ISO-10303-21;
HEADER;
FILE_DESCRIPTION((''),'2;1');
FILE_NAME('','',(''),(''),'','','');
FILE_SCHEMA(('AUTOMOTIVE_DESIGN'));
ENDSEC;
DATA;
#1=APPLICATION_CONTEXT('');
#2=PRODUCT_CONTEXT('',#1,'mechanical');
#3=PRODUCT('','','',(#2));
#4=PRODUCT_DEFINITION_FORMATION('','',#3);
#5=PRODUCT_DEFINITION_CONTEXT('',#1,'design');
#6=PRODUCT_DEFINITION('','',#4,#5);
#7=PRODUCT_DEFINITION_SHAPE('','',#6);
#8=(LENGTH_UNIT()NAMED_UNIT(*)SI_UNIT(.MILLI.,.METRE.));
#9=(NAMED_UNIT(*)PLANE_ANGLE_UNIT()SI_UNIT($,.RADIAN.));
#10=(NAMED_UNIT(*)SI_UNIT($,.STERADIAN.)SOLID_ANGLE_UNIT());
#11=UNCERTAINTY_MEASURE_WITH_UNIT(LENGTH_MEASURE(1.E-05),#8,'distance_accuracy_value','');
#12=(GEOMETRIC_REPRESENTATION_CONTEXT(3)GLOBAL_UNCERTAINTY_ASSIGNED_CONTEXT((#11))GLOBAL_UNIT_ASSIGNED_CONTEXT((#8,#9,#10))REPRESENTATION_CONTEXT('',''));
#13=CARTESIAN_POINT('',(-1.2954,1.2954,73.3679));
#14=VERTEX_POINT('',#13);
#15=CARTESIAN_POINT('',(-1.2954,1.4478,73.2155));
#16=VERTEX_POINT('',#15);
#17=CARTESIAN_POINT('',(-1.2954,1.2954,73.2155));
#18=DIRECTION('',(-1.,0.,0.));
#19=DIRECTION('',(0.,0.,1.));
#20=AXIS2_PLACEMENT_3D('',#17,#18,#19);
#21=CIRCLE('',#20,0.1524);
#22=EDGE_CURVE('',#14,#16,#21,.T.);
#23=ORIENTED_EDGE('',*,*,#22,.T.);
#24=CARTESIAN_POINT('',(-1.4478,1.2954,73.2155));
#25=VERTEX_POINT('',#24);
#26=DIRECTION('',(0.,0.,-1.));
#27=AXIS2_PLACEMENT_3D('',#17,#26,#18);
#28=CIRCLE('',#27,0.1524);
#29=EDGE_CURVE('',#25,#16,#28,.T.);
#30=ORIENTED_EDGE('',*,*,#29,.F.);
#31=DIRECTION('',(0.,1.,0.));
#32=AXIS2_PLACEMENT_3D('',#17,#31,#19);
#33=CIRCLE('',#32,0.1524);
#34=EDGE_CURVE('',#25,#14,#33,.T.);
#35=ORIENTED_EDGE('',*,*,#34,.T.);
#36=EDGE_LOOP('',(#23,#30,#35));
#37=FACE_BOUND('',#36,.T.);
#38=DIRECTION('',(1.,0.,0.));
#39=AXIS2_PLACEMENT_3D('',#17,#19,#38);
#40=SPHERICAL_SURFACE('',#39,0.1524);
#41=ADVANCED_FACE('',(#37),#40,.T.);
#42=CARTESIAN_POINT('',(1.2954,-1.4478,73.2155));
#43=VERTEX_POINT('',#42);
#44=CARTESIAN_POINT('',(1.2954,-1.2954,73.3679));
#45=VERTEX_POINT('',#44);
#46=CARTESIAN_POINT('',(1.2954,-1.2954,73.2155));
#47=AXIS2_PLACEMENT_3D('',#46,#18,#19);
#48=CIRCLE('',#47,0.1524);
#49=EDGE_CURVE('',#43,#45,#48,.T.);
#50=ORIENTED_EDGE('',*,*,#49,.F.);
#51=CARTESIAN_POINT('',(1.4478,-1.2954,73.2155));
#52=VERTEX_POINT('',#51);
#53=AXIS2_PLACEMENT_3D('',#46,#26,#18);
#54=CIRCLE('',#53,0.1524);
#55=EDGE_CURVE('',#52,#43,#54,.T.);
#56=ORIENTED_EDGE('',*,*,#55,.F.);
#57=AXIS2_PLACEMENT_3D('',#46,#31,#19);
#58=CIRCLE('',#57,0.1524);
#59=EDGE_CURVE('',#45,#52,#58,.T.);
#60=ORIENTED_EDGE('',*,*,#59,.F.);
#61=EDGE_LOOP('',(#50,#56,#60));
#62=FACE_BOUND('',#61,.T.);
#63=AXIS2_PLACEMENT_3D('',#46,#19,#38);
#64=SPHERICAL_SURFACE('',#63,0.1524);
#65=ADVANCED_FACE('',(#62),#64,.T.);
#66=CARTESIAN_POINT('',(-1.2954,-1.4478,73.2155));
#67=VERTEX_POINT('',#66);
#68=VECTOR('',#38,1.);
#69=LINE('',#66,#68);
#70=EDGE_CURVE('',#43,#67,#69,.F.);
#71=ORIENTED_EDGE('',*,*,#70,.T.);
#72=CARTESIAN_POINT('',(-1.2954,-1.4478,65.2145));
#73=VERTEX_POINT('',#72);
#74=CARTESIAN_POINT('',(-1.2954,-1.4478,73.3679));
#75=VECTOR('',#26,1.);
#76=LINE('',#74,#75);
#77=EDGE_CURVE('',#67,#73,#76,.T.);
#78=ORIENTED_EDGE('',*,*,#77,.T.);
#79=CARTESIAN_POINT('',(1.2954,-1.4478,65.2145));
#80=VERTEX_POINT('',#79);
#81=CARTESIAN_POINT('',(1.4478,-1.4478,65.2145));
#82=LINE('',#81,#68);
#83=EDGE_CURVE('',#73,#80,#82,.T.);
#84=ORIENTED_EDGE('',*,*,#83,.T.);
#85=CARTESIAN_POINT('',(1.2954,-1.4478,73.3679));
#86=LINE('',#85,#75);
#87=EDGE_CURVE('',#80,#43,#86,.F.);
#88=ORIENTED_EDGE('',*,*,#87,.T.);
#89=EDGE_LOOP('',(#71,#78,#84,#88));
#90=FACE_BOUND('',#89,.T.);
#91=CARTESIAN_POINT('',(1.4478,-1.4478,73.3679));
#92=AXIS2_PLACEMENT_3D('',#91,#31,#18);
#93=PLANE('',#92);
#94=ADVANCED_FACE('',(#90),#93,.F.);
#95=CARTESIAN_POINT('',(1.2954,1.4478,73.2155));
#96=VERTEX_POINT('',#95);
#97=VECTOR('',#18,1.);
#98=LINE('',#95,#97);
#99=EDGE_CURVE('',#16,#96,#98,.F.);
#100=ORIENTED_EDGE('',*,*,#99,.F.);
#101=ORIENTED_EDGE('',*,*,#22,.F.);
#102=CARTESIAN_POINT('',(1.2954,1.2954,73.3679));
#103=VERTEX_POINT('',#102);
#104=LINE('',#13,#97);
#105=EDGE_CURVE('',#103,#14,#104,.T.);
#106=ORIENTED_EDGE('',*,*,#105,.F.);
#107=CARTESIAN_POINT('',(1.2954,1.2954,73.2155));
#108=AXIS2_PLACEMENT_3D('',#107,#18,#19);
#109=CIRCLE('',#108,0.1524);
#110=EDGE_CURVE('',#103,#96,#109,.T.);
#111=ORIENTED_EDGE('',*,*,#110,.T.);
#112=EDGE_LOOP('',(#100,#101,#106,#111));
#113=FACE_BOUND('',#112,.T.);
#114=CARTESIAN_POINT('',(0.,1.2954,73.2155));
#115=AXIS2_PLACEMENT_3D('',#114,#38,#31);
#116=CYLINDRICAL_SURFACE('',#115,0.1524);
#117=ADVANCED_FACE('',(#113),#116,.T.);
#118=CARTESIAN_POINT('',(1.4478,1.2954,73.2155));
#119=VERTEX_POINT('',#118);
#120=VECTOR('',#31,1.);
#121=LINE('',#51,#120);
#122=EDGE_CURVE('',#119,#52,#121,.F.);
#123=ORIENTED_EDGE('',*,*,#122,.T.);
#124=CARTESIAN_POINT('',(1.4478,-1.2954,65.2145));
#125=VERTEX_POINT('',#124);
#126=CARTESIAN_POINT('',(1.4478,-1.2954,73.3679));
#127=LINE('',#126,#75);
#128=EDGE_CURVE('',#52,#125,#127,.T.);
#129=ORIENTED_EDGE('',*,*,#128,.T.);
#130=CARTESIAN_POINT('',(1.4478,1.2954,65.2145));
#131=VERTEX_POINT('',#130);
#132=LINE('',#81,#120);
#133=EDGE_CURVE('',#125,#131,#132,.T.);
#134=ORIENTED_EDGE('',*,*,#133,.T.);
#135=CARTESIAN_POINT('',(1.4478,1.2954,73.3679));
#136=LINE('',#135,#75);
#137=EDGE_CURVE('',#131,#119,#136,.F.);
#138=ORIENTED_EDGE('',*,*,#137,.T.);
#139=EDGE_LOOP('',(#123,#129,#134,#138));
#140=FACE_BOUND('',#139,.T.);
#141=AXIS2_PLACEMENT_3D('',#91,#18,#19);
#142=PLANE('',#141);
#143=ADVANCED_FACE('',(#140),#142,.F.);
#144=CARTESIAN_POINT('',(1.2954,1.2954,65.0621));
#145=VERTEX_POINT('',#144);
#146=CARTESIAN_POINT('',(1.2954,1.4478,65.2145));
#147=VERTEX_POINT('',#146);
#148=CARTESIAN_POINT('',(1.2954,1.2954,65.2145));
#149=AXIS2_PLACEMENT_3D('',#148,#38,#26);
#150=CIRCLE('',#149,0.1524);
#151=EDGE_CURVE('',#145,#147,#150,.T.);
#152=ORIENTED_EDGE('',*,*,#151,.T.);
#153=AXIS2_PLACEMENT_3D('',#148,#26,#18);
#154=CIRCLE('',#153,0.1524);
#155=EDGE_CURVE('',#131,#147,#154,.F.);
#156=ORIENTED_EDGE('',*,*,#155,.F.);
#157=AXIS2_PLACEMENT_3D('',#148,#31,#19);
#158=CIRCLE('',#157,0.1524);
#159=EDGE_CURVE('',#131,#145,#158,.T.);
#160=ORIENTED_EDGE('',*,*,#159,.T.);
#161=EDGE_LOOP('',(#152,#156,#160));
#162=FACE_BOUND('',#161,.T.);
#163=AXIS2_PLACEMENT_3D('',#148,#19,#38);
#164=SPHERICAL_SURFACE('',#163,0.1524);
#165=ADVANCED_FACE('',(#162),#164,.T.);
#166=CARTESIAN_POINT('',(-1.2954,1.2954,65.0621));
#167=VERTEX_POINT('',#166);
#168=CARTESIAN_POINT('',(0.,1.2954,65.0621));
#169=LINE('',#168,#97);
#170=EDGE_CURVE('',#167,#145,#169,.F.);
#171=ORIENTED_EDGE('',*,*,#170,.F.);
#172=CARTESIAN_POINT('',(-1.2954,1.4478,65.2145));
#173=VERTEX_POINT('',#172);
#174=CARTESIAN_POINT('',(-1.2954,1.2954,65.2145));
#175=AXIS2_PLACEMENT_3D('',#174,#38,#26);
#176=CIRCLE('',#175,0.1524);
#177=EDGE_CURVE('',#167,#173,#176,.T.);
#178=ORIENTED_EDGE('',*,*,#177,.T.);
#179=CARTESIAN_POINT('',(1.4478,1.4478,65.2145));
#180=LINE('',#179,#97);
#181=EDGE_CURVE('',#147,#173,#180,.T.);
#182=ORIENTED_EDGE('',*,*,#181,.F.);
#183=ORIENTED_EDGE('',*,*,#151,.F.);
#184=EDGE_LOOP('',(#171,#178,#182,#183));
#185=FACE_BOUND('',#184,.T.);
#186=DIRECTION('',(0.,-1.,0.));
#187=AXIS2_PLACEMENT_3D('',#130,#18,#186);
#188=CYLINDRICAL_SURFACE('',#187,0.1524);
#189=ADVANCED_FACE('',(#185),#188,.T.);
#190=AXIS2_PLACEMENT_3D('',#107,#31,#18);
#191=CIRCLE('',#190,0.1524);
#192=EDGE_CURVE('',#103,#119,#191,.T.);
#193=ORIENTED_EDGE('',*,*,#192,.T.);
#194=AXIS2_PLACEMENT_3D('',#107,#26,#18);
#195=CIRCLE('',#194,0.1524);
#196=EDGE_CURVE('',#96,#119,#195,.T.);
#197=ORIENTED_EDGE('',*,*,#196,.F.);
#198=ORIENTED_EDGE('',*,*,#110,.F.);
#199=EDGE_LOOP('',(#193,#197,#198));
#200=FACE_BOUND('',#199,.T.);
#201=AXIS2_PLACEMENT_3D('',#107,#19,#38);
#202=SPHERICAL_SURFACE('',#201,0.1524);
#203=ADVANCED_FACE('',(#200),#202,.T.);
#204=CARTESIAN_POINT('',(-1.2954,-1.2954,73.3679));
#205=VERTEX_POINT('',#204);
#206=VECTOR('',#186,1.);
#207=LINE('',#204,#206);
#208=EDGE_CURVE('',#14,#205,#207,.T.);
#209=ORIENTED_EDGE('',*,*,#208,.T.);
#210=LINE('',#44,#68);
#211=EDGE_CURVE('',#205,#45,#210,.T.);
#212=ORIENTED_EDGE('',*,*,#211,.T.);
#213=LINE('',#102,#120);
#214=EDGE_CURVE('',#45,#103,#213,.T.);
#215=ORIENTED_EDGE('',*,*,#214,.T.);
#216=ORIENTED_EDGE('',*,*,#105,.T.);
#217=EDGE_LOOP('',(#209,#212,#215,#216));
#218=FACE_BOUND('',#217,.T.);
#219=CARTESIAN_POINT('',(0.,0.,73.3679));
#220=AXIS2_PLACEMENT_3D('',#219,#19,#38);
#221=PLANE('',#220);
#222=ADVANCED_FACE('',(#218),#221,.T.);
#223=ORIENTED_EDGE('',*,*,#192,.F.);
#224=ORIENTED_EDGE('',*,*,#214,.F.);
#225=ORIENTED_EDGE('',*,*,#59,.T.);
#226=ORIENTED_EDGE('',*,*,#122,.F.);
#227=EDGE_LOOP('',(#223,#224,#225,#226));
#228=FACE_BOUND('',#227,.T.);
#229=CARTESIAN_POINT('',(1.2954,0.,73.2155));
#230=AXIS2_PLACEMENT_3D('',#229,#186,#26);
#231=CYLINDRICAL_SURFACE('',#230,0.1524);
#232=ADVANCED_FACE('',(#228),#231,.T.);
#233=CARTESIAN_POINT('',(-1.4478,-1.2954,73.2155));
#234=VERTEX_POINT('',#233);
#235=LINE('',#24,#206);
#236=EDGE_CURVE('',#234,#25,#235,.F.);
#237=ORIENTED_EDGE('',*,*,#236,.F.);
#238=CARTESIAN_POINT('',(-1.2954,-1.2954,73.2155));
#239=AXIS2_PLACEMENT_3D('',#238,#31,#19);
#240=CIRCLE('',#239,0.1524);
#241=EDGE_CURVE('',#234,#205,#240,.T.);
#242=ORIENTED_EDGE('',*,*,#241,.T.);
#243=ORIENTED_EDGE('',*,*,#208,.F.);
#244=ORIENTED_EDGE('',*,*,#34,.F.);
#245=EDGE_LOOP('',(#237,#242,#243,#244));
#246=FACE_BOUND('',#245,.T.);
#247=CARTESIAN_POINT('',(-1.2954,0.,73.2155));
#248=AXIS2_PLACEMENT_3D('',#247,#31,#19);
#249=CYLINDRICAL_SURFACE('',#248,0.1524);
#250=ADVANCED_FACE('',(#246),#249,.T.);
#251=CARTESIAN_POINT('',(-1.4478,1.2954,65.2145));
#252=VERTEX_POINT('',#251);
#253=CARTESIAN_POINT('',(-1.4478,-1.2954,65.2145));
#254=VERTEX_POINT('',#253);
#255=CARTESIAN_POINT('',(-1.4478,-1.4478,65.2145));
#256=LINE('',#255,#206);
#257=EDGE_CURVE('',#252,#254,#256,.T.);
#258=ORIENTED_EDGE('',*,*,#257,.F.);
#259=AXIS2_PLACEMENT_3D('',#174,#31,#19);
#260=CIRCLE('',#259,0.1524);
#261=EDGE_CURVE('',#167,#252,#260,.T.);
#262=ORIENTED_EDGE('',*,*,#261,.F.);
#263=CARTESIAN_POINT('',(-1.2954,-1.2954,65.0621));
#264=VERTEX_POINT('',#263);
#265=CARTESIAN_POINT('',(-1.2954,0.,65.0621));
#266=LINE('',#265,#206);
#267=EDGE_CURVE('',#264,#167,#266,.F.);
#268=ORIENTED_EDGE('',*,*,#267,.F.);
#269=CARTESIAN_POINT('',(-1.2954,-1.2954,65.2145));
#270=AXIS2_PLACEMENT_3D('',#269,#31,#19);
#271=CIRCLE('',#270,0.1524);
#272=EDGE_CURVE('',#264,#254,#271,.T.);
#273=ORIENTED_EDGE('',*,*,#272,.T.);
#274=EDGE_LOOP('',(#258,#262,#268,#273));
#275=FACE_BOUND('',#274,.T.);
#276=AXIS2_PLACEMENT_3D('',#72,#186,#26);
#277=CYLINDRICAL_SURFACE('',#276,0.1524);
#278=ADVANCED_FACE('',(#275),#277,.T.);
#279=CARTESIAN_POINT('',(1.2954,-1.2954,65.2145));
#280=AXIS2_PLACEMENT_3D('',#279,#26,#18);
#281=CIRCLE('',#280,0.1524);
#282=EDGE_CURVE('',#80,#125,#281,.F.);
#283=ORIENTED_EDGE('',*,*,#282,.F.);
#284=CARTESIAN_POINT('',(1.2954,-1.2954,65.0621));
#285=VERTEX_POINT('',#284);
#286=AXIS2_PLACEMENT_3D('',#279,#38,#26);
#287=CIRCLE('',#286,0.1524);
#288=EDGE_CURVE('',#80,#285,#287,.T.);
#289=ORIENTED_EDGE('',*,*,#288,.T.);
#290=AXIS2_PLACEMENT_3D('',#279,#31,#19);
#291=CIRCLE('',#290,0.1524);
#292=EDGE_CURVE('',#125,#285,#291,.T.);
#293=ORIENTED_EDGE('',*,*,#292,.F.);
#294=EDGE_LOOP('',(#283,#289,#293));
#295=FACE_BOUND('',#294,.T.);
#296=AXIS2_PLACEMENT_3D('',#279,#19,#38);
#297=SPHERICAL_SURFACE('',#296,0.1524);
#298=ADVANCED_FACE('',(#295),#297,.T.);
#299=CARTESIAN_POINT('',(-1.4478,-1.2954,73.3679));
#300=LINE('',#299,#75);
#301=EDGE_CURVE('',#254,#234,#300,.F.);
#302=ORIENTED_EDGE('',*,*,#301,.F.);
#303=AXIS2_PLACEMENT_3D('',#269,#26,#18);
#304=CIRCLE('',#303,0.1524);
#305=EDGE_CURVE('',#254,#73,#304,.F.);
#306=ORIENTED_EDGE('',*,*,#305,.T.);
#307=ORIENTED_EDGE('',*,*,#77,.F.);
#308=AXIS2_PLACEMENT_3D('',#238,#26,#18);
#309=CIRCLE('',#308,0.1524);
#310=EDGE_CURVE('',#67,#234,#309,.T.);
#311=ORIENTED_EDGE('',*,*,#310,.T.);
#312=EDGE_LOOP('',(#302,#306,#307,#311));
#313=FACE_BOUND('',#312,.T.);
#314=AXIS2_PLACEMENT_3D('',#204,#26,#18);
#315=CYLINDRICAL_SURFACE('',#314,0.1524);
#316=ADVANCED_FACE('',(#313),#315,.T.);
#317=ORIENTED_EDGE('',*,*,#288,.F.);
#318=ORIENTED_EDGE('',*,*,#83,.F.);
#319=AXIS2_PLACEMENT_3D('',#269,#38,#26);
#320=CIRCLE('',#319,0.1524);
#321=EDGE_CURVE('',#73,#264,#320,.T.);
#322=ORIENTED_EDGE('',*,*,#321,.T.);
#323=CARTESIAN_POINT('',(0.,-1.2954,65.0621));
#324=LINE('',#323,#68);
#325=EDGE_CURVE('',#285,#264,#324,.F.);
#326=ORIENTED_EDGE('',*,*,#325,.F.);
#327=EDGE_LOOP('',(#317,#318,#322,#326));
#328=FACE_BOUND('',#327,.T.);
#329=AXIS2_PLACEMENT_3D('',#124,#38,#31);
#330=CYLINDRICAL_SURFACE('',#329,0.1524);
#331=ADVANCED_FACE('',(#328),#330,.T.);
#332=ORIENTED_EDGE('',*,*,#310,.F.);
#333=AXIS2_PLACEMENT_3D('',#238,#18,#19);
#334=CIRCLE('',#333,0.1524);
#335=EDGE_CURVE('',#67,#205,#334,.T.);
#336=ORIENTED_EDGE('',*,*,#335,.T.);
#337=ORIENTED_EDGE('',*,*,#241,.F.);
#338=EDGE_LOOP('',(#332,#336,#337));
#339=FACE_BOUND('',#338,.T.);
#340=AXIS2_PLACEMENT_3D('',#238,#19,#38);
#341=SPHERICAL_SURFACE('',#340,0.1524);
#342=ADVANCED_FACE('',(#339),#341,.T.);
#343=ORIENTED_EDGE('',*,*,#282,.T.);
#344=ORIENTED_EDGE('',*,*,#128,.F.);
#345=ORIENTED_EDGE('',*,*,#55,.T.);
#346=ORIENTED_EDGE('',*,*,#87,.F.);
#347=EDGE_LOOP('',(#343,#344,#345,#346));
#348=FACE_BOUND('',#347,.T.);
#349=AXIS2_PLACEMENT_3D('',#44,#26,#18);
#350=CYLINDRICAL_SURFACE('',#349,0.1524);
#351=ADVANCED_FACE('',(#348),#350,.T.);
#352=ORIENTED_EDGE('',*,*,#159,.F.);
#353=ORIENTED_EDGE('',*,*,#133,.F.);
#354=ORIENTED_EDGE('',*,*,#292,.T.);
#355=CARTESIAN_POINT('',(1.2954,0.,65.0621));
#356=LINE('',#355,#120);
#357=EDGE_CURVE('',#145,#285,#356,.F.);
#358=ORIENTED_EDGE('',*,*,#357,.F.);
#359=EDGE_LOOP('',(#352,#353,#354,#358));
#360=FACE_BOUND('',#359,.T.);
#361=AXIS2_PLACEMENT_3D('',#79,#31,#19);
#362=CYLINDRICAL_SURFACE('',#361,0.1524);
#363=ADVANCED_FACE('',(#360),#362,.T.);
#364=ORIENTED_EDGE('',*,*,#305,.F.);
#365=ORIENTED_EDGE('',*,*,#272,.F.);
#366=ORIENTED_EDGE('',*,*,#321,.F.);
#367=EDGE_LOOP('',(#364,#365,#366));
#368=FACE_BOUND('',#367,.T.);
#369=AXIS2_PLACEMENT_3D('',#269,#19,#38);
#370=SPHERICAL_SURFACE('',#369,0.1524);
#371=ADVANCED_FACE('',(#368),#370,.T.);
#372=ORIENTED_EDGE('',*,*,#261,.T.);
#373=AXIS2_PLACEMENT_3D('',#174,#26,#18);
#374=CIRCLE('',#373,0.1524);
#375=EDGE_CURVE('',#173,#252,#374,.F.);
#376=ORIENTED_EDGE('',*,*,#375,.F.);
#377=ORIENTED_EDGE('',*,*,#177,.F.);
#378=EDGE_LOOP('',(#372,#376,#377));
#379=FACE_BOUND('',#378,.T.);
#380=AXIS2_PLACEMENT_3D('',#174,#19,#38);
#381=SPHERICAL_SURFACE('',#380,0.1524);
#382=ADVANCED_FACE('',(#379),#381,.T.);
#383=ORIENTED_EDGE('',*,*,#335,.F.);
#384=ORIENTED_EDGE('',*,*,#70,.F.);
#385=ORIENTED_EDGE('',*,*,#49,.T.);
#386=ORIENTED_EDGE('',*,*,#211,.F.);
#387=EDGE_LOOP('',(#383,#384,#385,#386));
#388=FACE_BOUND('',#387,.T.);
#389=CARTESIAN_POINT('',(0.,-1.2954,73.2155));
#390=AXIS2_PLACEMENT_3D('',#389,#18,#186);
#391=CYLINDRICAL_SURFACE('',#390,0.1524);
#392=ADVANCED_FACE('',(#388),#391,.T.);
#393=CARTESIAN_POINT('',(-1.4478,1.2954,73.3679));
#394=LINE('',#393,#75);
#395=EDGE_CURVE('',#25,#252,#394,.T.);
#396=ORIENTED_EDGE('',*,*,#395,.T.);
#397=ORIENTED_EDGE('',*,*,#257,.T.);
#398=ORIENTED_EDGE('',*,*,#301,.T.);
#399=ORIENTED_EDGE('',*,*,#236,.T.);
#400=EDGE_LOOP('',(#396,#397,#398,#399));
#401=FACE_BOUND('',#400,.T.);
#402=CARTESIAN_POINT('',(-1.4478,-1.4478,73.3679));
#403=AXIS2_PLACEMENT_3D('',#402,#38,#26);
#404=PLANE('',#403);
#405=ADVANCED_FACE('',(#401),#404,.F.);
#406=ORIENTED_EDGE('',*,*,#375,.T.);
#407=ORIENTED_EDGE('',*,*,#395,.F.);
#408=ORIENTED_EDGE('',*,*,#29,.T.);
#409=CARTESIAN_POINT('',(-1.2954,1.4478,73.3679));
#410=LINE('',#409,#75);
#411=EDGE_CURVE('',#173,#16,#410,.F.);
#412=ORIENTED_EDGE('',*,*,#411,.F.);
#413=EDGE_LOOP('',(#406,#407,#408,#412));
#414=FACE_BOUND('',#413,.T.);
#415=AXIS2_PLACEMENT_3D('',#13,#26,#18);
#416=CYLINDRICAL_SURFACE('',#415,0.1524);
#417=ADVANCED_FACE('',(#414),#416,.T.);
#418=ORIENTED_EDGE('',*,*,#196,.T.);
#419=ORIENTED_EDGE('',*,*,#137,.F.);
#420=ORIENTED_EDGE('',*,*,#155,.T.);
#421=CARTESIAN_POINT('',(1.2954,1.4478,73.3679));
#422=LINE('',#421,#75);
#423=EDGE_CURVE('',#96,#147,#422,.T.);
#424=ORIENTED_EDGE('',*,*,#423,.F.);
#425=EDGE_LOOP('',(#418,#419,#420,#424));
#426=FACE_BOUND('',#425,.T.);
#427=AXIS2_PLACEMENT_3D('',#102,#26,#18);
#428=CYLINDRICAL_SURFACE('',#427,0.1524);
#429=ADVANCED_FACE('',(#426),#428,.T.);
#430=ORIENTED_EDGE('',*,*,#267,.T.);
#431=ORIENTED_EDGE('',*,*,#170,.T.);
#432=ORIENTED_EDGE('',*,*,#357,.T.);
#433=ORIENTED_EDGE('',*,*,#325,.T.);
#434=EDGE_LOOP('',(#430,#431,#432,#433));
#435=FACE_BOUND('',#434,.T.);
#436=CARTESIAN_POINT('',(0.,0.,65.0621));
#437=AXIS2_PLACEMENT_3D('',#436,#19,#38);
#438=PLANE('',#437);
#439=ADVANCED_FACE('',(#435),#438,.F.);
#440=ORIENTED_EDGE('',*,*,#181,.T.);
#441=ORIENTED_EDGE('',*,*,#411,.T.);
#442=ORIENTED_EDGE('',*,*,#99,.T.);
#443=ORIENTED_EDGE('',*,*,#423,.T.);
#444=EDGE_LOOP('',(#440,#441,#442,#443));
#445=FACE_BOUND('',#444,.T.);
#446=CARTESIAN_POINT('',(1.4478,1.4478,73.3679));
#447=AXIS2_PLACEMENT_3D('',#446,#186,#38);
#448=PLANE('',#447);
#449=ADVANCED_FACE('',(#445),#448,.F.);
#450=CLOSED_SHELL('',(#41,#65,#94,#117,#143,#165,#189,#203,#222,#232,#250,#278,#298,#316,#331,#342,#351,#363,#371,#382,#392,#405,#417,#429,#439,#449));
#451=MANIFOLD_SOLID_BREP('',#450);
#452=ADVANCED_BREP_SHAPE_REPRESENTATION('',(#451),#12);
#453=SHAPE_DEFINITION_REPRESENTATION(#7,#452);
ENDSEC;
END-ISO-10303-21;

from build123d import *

# Parameters (mm, degrees)
SKETCH1_W           = 48.26
SKETCH1_H           = 48.26
BOSS_EXTRUDE1_DEPTH = 138.43
FILLET1_R           = 2.54
FILLET2_R           = 2.54
SCALE1_SCALE        = 0.06


with BuildPart() as part:
    # Sketch1 → Boss-Extrude1 (new body)
    with BuildSketch(Plane.XY):
        Rectangle(SKETCH1_W, SKETCH1_H)
    extrude(amount=BOSS_EXTRUDE1_DEPTH)

    # Fillet1
    fillet1_edges = [part.edges().sort_by_distance(p)[0] for p in [
        (-24.13, 24.13, 69.215),
        (24.13, 24.13, 69.215),
        (24.13, -24.13, 69.215),
        (-24.13, -24.13, 69.215),
    ]]
    fillet(fillet1_edges, radius=FILLET1_R)

    # Fillet2
    fillet2_edges = [part.edges().sort_by_distance(p)[0] for p in [
        (0, -24.13, 0),
        (0, -24.13, 138.43),
        (-24.13, 0, 0),
        (0, 24.13, 0),
        (24.13, 0, 0),
        (-23.386051224, 23.386051224, 0),
        (23.386051224, 23.386051224, 0),
        (23.386051224, -23.386051224, 0),
        (-23.386051224, -23.386051224, 0),
        (-24.13, 0, 138.43),
        (24.13, 0, 138.43),
        (0, 24.13, 138.43),
        (-23.386051224, 23.386051224, 138.43),
        (23.386051224, 23.386051224, 138.43),
        (23.386051224, -23.386051224, 138.43),
        (-23.386051224, -23.386051224, 138.43),
    ]]
    fillet(fillet2_edges, radius=FILLET2_R)


with BuildPart() as part_1:
    # Scale1: scaled about (0, 0, 69.215)
    add(part.part.scale(SCALE1_SCALE).moved(Location((0, 0, 65.0621))))


solid = part_1.part
